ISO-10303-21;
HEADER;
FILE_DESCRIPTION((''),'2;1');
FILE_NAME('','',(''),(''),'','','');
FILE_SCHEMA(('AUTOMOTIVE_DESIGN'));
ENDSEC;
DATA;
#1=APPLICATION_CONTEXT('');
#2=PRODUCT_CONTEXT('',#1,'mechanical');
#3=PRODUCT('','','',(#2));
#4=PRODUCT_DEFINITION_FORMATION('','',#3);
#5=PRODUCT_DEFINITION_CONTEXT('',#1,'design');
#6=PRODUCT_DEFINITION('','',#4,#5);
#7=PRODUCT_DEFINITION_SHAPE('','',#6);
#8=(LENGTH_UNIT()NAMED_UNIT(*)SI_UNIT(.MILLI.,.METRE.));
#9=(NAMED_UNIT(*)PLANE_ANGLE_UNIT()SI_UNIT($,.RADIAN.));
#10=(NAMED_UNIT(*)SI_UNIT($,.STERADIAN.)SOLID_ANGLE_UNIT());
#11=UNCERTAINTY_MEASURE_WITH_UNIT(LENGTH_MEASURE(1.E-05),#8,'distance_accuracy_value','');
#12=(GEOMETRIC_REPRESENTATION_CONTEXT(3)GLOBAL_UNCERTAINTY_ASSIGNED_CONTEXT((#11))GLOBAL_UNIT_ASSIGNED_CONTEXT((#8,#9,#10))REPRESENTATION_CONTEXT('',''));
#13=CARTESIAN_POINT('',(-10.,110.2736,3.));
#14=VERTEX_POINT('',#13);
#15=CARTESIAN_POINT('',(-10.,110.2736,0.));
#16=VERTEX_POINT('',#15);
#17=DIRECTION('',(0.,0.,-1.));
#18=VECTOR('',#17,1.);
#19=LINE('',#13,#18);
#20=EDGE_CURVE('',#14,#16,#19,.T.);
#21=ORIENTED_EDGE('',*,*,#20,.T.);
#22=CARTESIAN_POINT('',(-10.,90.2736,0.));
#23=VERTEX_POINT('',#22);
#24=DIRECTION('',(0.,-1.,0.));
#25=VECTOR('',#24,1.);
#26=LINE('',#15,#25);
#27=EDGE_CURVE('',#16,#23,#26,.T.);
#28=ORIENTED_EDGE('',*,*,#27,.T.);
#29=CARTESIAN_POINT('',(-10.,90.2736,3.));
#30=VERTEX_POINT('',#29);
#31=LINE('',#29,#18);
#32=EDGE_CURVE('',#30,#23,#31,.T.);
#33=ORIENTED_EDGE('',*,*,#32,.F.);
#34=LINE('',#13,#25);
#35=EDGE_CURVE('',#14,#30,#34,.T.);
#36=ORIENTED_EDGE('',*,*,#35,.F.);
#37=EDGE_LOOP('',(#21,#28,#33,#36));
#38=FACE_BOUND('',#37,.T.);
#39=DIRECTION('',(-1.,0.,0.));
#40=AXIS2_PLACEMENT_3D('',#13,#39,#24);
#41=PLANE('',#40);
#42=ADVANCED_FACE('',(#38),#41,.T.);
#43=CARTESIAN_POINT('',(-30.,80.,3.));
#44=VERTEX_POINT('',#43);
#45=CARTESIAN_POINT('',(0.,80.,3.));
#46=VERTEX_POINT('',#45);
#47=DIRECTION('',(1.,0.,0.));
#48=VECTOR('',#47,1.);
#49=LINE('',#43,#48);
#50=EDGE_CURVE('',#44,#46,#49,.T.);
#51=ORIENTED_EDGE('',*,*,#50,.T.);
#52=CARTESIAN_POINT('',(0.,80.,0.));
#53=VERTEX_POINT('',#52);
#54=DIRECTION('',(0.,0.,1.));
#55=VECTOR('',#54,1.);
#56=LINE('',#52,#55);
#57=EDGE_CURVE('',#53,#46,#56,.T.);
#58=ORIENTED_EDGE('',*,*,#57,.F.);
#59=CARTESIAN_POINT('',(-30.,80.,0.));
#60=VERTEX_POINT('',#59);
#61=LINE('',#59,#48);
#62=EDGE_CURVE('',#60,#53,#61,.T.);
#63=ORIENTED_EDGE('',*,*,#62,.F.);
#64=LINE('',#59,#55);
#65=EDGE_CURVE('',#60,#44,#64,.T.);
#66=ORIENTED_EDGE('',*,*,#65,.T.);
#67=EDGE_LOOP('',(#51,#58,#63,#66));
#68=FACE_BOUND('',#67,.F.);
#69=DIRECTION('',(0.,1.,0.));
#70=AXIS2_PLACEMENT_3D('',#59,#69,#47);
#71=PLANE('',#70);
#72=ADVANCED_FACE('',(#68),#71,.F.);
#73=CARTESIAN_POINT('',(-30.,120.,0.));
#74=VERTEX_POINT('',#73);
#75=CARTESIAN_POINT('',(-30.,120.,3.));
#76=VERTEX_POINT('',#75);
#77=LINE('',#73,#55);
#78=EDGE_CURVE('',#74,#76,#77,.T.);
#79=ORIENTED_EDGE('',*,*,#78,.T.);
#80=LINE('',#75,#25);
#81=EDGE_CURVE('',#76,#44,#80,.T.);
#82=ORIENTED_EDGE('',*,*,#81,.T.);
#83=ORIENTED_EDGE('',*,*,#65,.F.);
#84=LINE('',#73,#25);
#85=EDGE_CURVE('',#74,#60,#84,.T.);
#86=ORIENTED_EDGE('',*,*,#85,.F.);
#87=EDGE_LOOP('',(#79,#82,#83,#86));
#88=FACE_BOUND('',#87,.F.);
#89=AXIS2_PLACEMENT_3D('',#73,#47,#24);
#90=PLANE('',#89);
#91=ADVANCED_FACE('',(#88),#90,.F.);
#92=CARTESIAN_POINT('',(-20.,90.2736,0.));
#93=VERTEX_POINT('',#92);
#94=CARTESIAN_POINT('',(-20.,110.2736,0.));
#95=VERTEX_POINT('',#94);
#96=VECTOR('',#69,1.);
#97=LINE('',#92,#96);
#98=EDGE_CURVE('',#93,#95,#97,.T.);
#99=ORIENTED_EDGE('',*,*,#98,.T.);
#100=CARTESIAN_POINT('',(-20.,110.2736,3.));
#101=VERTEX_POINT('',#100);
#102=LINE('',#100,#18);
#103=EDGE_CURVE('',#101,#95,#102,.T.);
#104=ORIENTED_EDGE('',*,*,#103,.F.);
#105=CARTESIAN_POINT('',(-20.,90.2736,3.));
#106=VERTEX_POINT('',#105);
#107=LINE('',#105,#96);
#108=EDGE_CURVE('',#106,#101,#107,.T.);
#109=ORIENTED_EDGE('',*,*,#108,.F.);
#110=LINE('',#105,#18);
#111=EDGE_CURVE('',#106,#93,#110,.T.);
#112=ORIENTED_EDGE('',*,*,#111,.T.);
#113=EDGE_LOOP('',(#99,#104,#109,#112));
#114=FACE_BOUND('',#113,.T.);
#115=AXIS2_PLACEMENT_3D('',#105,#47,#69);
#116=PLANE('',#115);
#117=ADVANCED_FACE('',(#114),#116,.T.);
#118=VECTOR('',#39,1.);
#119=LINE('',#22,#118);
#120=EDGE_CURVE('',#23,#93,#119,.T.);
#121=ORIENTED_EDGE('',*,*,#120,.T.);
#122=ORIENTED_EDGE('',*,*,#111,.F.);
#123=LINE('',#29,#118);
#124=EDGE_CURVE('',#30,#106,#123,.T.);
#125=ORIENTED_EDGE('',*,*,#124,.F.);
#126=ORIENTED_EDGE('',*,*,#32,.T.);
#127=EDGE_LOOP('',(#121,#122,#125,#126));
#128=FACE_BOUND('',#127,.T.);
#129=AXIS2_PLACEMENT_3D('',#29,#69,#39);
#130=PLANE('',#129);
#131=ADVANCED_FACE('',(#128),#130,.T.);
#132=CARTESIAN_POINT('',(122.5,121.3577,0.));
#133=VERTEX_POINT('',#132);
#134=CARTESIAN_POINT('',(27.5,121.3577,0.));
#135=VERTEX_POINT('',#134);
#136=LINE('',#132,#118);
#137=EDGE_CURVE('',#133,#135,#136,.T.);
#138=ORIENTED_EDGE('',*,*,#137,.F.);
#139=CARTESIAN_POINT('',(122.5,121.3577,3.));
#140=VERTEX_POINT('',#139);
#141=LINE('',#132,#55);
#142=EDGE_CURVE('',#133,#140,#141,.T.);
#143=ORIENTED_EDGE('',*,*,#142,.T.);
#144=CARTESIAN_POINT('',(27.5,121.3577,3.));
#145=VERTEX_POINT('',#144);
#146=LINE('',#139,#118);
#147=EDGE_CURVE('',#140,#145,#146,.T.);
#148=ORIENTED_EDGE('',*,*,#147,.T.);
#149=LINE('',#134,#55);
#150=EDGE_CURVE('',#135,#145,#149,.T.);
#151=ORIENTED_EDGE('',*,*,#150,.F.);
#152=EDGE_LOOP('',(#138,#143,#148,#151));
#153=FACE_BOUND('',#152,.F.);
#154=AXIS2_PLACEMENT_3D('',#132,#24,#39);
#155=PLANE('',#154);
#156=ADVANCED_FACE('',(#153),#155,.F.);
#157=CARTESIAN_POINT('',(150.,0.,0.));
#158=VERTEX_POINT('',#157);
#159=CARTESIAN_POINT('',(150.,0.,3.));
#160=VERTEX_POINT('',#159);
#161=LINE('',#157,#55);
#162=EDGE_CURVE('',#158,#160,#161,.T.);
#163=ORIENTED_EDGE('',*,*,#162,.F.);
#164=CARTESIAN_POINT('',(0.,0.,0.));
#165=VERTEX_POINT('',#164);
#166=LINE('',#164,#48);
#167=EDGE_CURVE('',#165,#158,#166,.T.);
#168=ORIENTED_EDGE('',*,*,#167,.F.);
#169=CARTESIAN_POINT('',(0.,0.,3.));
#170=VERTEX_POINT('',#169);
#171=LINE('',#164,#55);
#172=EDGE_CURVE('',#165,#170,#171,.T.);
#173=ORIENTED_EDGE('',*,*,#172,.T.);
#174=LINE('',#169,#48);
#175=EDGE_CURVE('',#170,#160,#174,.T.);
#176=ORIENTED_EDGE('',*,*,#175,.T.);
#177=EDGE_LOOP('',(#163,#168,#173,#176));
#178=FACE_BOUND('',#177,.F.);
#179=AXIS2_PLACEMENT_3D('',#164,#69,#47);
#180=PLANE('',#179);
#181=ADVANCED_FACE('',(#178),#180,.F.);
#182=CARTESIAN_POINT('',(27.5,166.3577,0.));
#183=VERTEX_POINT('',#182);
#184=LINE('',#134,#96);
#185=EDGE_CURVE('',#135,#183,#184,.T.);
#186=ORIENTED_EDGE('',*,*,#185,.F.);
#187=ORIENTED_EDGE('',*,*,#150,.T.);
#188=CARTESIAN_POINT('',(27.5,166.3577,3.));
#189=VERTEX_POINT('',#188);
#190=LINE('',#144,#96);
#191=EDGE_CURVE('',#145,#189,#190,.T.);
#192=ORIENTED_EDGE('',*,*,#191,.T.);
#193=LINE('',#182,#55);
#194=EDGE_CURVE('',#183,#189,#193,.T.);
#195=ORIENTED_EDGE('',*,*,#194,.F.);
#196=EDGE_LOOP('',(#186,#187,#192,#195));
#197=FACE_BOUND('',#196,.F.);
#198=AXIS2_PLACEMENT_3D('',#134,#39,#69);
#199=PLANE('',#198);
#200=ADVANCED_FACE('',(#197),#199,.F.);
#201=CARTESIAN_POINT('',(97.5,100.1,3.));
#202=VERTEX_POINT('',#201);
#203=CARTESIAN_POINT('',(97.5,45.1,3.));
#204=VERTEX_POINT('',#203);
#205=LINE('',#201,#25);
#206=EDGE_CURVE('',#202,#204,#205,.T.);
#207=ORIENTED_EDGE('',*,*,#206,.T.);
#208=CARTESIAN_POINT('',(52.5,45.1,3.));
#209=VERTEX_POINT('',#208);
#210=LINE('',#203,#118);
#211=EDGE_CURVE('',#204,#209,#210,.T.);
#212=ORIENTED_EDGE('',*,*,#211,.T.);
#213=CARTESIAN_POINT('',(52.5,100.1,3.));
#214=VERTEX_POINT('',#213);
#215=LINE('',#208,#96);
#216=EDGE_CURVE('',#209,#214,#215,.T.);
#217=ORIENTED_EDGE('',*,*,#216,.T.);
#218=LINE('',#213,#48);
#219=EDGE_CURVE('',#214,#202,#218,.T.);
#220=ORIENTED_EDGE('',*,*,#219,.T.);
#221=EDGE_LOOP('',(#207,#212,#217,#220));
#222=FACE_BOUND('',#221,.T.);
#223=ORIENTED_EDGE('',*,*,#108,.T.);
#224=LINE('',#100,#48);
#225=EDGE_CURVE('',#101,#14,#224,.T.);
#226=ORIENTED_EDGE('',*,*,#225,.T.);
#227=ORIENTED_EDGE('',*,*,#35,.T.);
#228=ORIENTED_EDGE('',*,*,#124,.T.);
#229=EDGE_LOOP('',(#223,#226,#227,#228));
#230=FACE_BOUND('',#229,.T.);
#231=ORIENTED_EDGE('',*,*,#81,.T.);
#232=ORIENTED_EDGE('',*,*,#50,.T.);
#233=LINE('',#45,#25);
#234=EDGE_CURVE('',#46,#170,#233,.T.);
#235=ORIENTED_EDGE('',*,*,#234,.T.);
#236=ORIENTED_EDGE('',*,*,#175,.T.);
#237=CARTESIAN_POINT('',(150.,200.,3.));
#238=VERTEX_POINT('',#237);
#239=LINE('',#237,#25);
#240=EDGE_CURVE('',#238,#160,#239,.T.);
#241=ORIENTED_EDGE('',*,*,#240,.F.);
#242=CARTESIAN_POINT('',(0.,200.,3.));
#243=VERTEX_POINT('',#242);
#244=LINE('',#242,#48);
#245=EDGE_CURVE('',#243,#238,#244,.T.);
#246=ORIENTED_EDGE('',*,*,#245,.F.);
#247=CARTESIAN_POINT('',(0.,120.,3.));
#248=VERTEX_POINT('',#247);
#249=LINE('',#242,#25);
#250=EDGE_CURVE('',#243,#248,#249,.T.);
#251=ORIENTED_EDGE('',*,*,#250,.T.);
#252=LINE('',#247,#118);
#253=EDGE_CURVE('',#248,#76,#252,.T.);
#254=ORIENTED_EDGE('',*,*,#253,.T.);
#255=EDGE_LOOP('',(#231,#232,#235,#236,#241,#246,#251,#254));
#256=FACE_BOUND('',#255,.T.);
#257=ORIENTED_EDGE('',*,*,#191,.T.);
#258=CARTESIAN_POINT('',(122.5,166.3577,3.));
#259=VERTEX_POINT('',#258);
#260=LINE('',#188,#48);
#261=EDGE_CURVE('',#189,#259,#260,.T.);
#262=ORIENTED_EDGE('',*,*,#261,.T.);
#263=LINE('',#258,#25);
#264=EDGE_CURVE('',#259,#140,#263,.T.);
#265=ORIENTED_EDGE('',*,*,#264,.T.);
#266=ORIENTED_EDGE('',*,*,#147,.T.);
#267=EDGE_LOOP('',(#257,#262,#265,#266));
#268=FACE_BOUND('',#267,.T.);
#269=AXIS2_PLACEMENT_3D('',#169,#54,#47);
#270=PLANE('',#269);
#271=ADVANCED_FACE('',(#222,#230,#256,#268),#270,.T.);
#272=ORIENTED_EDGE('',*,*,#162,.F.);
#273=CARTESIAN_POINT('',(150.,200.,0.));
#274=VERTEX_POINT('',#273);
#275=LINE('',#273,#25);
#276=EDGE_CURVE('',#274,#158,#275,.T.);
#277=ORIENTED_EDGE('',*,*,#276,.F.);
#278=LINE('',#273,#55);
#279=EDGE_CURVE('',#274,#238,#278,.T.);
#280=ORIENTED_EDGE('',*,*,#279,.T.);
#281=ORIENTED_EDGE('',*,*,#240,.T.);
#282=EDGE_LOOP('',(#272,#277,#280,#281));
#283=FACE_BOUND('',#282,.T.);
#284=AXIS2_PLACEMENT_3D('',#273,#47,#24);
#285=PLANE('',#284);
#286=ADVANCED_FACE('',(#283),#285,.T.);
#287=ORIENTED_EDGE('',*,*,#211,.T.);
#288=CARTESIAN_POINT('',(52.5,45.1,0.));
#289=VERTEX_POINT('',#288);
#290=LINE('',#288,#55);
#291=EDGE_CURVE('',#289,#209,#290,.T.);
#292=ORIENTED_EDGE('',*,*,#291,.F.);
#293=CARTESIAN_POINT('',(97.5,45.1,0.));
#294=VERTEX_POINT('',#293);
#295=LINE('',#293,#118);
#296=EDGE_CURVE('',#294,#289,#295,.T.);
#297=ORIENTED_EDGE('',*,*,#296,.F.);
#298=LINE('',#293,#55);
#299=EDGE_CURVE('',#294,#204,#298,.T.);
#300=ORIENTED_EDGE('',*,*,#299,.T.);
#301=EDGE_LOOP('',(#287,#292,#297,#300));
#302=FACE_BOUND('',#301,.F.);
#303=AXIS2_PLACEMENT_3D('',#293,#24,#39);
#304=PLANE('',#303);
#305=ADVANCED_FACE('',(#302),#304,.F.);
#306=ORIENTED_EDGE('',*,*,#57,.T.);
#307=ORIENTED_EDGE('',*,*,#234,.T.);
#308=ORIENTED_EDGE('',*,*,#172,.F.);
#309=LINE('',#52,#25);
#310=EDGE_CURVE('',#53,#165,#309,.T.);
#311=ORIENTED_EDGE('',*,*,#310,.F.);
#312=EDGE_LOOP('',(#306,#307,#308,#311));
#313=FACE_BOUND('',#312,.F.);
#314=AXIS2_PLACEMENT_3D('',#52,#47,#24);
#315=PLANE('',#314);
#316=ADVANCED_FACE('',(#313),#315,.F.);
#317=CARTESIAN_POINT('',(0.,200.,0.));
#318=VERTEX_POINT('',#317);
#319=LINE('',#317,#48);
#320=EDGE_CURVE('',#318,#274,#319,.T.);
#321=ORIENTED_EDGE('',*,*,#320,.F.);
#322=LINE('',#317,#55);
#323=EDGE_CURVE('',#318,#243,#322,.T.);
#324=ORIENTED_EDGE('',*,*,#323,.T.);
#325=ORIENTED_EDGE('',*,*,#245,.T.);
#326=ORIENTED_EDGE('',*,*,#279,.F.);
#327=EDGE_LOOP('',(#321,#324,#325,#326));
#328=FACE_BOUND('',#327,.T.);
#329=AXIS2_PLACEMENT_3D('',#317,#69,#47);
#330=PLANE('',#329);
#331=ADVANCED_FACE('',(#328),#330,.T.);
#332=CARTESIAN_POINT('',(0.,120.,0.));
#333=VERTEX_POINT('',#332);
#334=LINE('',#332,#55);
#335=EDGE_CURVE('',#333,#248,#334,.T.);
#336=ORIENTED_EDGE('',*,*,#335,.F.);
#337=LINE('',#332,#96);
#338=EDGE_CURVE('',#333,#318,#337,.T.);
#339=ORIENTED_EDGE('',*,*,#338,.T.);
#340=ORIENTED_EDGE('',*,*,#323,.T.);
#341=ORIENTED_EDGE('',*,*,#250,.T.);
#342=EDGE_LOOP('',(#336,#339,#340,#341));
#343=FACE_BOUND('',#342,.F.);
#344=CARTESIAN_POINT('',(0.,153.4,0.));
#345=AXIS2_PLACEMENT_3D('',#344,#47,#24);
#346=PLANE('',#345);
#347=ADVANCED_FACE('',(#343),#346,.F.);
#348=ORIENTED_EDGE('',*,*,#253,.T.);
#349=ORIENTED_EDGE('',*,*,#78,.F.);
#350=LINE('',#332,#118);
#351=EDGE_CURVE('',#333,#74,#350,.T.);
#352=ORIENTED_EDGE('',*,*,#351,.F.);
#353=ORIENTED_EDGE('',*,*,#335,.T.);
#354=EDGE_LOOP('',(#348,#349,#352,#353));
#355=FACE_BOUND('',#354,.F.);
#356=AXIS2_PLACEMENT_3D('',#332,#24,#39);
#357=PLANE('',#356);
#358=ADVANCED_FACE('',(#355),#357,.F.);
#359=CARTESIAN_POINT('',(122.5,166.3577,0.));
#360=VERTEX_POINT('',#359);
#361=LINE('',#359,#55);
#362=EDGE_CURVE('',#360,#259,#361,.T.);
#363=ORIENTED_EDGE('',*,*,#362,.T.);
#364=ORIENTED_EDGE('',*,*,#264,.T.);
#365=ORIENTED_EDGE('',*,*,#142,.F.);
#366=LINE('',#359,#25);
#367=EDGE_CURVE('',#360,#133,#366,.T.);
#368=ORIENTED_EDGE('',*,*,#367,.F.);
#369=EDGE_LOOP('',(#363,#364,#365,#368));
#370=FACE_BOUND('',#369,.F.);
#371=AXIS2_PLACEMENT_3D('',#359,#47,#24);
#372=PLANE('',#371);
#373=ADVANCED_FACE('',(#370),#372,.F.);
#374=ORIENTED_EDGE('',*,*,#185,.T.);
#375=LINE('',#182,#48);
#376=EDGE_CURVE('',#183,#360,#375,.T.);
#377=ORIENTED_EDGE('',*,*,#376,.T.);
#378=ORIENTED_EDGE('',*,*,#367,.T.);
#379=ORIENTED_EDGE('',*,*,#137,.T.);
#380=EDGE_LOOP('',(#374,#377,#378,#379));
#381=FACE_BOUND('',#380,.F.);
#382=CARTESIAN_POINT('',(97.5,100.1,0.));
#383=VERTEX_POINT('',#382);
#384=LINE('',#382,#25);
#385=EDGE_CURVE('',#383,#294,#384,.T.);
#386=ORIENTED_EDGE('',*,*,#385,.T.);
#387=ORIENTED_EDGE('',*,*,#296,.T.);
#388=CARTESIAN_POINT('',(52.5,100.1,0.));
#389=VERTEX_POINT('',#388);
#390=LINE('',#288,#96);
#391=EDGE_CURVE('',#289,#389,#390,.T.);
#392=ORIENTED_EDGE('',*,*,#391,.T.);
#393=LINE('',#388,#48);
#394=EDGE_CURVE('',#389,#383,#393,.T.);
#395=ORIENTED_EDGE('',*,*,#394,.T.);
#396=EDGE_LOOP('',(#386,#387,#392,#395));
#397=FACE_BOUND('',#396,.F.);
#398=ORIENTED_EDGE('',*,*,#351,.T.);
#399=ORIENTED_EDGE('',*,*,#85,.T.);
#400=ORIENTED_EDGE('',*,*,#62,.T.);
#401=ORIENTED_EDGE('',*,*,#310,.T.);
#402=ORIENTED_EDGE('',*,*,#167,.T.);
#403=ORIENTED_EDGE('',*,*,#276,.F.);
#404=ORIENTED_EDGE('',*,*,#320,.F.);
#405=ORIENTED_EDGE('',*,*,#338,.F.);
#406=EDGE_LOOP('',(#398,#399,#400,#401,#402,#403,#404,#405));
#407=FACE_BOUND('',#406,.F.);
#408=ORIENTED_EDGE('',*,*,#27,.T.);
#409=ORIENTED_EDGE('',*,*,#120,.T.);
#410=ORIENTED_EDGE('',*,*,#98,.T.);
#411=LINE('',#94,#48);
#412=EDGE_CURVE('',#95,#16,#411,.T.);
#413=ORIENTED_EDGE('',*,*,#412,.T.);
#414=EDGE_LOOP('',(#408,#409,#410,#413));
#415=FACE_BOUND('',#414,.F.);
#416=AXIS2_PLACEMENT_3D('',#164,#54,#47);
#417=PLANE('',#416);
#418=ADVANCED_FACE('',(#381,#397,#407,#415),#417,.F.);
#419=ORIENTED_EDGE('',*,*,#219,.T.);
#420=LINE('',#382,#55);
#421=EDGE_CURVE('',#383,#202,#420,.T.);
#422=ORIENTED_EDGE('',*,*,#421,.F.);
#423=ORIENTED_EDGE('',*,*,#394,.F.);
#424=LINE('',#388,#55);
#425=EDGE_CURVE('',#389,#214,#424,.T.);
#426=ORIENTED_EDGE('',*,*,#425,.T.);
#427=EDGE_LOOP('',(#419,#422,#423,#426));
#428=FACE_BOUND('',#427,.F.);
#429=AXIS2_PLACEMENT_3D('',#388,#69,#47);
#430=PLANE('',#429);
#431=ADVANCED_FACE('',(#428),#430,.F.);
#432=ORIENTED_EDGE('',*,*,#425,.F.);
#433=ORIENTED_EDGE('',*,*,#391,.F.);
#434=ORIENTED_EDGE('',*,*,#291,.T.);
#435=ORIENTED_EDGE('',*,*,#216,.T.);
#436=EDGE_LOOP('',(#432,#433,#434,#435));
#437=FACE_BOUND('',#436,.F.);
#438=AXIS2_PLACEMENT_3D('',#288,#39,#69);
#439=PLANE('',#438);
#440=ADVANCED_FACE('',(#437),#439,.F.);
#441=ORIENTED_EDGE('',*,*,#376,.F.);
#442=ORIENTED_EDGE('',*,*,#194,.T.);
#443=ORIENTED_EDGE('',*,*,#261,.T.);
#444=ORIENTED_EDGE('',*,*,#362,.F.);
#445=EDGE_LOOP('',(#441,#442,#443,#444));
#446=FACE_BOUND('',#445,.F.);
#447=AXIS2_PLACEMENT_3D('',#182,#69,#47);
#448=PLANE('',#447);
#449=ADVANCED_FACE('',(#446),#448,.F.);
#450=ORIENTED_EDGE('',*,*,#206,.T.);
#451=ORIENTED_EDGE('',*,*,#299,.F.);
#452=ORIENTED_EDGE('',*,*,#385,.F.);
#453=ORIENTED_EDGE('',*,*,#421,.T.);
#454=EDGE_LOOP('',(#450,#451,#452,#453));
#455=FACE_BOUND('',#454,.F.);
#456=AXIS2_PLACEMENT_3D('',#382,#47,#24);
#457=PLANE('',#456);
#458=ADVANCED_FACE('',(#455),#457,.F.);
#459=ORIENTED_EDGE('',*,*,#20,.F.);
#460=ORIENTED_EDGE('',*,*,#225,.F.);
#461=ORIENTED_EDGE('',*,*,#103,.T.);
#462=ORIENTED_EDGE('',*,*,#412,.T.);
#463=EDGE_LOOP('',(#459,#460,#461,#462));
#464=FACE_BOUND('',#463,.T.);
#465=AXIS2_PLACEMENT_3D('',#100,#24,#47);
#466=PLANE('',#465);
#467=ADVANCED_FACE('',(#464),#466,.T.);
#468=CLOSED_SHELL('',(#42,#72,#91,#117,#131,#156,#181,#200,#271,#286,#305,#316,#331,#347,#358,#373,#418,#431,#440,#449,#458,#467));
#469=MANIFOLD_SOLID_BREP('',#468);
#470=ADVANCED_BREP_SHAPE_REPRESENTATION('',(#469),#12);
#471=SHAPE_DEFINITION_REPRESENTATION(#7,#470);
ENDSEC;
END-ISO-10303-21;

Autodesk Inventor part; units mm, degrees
ref_plane "YZ Plane" through (0, 0, 0) normal (1, 0, 0) x (0, 1, 0)
ref_plane "XZ Plane" through (0, 0, 0) normal (0, 1, 0) x (-1, 0, 0)
ref_plane "XY Plane" through (0, 0, 0) normal (0, 0, 1) x (1, 0, 0)
sketch "Sketch1" plane through (0, 0, 0) normal (0, 0, 1) x (1, 0, 0)
  line L0 (27.5, 166.3577) -> (122.5, 166.3577)
  line L1 (122.5, 166.3577) -> (122.5, 121.3577)
  line L2 (122.5, 121.3577) -> (27.5, 121.3577)
  line L3 (27.5, 121.3577) -> (27.5, 166.3577)
  line L4 (52.5, 100.1) -> (97.5, 100.1)
  line L5 (97.5, 100.1) -> (97.5, 45.1)
  line L6 (97.5, 45.1) -> (52.5, 45.1)
  line L7 (52.5, 45.1) -> (52.5, 100.1)
  line L8 (0, 0) -> (150, 0)
  line L9 (0, 200) -> (150, 200)
  line L10 (0, 153.4) -> (0, 120)
  line L11 (0, 80) -> (0, 0)
  line L12 (0, 153.4) -> (0, 200)
  line L13 (0, 120) -> (-30, 120)
  line L14 (-30, 120) -> (-30, 80)
  line L15 (-30, 80) -> (0, 80)
  line L16 (-20, 110) -> (-10, 110)
  line L17 (-10, 110) -> (-10, 90)
  line L18 (-10, 90) -> (-20, 90)
  line L19 (-20, 90) -> (-20, 110)
  line L20 (150, 200) -> (150, 0)
  dimension "d0" = 150
  dimension "d49" = 200
  dimension "d50" = 40
  dimension "d51" = 80
  dimension "d52" = 10
  dimension "d53" = 95
  dimension "d54" = 45
  dimension "d55" = 45
  dimension "d56" = 55
extrude "Extrusion1" add sketch "Sketch1" along normal blind 3 contours L11 L15 L14 L13 L10 L12 L9 L20 L8 | L16 L17 L18 L19
sketch "Sketch2" plane through (0, 0, 3) normal (0, 0, 1) x (1, 0, 0)
  line L0 (-30, 80.2736) -> (0, 80.2736)
  line L1 (-20, 110.2736) -> (-10, 110.2736)
  line L2 (-10, 110.2736) -> (-10, 90.2736)
  line L3 (-10, 90.2736) -> (-20, 90.2736)
  line L4 (-20, 90.2736) -> (-20, 110.2736)
  line L5 (0, 117.7458) -> (0, 120.2736)
  point P0 (0, 0)
extrude "Extrusion2" cut sketch "Sketch2" against normal blind 3
properties part number "depan"
